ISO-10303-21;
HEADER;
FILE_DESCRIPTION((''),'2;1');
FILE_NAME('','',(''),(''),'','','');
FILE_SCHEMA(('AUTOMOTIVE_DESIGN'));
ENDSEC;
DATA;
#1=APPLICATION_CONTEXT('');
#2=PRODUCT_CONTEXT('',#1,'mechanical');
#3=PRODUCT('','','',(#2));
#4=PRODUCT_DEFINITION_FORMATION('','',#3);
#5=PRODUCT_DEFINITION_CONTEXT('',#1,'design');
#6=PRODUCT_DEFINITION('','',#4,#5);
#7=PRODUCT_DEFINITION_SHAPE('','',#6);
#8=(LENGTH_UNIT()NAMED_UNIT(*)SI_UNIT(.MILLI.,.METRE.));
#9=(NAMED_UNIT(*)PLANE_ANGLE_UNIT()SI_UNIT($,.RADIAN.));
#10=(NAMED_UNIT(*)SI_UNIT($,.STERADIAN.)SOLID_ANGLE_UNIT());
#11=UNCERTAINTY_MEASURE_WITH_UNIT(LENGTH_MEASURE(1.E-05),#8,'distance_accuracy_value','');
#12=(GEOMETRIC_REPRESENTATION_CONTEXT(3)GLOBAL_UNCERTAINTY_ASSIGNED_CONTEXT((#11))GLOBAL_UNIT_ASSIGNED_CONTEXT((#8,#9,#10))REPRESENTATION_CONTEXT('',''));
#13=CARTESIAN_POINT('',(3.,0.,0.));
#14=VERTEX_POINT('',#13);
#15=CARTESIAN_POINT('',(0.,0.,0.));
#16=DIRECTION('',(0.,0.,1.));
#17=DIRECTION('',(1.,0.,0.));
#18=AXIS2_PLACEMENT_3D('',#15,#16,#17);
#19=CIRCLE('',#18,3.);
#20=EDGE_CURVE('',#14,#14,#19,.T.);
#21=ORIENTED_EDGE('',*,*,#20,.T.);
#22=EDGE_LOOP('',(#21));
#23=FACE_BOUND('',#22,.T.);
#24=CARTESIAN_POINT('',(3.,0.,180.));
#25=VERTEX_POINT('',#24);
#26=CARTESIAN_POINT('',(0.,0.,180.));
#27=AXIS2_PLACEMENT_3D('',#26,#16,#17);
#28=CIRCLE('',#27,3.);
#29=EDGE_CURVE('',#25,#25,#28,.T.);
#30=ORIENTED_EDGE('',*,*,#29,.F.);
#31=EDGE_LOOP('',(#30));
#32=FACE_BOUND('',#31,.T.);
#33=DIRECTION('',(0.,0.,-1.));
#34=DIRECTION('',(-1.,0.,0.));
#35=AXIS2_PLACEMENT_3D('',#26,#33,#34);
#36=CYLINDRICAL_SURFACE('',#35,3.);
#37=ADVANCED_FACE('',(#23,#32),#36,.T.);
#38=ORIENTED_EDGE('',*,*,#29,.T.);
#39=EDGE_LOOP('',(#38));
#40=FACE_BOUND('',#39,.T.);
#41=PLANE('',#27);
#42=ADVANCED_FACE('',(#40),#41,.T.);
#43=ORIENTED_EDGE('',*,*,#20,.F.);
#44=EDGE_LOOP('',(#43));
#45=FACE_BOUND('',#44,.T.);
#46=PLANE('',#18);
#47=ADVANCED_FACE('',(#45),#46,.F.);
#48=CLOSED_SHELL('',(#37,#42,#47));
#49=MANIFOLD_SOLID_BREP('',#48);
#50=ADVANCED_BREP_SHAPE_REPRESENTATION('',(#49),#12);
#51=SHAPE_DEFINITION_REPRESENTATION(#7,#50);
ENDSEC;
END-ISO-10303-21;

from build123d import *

# Parameters (mm, degrees)
ESBO_O1_R                = 3
RESSALTO_EXTRUS_O1_DEPTH = 180


with BuildPart() as part:
    # Esboço1 → Ressalto-extrusão1 (new body)
    with BuildSketch(Plane.XY):
        Circle(ESBO_O1_R)
    extrude(amount=RESSALTO_EXTRUS_O1_DEPTH)


solid = part.part
